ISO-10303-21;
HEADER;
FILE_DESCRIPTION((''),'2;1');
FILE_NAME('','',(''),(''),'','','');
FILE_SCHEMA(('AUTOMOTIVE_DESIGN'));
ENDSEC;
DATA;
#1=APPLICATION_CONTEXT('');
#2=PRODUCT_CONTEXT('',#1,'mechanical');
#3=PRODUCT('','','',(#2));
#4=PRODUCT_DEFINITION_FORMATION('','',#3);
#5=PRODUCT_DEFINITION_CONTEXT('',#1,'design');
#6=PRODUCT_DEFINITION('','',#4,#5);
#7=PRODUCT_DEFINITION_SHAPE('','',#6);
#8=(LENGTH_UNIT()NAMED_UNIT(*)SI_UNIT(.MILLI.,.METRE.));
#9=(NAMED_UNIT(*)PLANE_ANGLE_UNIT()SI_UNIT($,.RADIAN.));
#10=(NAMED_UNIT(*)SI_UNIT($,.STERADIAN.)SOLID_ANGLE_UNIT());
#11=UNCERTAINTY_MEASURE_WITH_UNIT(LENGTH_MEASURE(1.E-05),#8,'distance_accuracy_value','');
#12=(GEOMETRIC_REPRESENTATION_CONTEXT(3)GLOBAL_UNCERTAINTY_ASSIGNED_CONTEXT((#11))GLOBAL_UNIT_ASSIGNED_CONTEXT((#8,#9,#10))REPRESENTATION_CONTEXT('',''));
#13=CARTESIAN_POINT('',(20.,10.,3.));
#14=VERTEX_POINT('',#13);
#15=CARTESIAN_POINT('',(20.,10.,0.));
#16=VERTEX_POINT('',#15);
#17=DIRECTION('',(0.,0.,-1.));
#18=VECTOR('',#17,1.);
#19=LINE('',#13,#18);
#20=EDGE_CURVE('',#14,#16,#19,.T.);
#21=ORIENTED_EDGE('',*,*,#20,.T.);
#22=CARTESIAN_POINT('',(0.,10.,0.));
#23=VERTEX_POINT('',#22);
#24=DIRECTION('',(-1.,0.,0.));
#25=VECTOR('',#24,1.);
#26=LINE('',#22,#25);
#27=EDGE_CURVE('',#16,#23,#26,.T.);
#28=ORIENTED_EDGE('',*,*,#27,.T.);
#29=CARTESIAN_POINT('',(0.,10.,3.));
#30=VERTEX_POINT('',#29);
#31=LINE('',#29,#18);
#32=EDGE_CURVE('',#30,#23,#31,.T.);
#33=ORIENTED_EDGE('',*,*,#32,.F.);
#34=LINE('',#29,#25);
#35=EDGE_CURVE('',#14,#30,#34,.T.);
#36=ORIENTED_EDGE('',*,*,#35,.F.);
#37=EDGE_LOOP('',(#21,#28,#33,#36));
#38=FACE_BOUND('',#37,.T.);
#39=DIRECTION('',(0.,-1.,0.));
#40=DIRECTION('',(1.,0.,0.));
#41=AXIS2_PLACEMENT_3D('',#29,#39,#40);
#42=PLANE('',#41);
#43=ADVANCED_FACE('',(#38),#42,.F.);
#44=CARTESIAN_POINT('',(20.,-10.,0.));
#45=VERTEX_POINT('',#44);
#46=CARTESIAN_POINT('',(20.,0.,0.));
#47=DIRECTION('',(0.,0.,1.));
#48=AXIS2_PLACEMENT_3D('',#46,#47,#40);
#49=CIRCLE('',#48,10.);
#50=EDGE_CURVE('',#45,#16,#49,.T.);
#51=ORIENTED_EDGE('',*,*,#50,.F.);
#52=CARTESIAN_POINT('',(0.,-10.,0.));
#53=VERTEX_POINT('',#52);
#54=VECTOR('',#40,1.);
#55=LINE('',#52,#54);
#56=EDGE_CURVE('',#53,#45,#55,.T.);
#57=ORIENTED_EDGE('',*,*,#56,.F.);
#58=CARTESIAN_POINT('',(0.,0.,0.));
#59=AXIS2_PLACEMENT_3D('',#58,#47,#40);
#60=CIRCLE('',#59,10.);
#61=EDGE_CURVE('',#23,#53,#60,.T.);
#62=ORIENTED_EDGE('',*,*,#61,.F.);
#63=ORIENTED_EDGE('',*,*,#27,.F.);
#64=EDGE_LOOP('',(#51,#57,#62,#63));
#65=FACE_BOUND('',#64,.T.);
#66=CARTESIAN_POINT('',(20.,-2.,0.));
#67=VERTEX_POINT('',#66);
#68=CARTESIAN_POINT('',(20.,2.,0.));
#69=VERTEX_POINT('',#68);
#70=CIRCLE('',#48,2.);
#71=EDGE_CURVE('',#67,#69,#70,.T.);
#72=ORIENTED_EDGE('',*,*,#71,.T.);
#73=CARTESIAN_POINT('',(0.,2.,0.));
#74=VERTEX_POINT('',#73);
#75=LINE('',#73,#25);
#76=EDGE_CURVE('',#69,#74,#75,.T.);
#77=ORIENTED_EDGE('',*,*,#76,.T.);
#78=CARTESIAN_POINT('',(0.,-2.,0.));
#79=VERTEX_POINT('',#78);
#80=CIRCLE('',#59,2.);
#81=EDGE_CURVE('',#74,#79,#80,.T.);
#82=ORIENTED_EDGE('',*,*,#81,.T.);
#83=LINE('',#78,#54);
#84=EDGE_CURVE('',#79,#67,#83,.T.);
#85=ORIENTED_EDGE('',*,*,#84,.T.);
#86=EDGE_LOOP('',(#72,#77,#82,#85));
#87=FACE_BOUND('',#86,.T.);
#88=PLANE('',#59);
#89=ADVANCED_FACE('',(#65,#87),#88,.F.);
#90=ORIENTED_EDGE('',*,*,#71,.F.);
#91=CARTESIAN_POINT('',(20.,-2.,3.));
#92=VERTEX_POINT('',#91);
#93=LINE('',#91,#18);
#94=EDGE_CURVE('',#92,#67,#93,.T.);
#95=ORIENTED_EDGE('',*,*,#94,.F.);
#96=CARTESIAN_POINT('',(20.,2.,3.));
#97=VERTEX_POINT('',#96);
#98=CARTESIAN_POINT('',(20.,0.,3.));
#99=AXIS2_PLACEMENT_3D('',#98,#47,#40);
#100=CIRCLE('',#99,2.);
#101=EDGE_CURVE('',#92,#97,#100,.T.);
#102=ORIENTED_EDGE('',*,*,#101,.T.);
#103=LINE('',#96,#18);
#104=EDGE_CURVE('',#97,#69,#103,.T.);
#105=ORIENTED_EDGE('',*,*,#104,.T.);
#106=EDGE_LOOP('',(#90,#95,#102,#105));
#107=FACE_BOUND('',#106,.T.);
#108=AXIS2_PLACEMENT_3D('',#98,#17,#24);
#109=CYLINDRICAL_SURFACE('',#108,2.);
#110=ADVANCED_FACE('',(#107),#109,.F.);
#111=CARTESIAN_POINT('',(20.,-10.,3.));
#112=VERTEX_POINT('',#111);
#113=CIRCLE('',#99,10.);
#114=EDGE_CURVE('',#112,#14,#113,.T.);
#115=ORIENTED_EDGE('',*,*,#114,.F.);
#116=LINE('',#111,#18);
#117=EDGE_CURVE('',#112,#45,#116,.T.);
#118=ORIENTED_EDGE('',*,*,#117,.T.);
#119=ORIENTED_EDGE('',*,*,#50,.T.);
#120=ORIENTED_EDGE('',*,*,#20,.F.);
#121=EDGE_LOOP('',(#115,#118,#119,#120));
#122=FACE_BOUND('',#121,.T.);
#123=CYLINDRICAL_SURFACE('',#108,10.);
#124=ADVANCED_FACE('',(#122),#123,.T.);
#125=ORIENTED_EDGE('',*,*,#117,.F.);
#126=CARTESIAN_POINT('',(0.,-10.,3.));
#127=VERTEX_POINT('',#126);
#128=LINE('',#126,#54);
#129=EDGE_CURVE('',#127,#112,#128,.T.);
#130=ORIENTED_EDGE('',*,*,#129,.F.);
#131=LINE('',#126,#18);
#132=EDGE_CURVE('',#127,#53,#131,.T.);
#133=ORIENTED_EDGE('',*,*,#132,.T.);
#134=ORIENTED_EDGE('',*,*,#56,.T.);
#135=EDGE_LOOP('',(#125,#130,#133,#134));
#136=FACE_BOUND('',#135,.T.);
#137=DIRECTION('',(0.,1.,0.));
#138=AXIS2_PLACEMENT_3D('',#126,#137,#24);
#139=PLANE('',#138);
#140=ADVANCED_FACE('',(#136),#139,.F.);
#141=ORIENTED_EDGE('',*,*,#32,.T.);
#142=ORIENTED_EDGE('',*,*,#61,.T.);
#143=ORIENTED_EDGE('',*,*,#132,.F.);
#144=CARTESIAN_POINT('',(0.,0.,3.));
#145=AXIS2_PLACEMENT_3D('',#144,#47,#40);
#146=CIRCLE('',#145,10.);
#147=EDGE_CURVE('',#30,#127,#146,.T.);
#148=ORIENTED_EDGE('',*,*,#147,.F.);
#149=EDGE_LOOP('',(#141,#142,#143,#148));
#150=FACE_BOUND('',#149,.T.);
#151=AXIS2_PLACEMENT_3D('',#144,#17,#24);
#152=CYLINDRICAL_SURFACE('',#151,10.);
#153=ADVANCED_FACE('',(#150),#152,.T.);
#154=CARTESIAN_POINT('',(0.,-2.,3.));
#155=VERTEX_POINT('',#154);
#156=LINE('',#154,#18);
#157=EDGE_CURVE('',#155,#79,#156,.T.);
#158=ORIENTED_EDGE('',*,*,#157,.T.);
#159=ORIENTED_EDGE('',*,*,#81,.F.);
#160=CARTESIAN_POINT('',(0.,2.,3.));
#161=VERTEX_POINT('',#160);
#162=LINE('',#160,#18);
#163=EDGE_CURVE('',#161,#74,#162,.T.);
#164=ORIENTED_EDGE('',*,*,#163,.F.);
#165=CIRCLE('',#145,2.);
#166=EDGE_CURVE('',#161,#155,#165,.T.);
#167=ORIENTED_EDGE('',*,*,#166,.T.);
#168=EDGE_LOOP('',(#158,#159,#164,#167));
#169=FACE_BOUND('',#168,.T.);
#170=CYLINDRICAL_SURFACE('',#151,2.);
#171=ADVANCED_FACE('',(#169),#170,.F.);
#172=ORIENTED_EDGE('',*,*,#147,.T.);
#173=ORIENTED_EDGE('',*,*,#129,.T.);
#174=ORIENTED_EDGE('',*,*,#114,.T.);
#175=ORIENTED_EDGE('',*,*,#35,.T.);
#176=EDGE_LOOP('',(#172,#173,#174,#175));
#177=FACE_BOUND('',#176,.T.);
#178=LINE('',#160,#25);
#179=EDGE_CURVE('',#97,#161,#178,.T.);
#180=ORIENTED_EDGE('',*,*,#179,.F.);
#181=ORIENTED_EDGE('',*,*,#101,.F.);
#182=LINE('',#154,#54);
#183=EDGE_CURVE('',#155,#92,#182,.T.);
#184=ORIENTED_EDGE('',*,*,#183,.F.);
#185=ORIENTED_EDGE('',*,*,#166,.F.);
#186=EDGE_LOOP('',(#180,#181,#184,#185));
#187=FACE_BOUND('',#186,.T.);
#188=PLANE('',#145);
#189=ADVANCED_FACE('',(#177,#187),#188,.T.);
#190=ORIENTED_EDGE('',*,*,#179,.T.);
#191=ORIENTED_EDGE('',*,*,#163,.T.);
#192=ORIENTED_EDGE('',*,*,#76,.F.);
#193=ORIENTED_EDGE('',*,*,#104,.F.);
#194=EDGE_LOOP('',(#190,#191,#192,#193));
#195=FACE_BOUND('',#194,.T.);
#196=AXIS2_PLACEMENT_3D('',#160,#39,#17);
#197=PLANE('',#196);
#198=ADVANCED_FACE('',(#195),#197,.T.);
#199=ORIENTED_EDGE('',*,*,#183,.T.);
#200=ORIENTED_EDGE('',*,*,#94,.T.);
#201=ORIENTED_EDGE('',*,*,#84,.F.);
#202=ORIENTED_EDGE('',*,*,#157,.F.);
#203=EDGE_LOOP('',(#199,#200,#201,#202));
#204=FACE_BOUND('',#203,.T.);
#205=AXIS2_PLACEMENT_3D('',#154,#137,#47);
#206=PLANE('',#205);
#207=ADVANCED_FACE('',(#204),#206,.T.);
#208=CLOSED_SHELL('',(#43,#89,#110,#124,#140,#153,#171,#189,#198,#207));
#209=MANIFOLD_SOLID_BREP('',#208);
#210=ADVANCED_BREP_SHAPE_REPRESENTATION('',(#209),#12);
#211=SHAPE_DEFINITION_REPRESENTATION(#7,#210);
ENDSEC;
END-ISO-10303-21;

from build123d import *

# Parameters (mm, degrees)
BOSS_EXTRUDE1_DEPTH = 3


with BuildPart() as part:
    # Sketch1 → Boss-Extrude1 (new body)
    with BuildSketch(Plane.XY):
        with BuildLine():
            Line((0, 10), (20, 10))
            ThreePointArc((20, 10), (30, 0), (20, -10))
            Line((20, -10), (0, -10))
            ThreePointArc((0, -10), (-10, 0), (0, 10))
        make_face()
        with BuildLine():
            Line((0, 2), (20, 2))
            ThreePointArc((20, 2), (22, 0), (20, -2))
            Line((20, -2), (0, -2))
            ThreePointArc((0, -2), (-2, 0), (0, 2))
        make_face(mode=Mode.SUBTRACT)
    extrude(amount=BOSS_EXTRUDE1_DEPTH)


solid = part.part
